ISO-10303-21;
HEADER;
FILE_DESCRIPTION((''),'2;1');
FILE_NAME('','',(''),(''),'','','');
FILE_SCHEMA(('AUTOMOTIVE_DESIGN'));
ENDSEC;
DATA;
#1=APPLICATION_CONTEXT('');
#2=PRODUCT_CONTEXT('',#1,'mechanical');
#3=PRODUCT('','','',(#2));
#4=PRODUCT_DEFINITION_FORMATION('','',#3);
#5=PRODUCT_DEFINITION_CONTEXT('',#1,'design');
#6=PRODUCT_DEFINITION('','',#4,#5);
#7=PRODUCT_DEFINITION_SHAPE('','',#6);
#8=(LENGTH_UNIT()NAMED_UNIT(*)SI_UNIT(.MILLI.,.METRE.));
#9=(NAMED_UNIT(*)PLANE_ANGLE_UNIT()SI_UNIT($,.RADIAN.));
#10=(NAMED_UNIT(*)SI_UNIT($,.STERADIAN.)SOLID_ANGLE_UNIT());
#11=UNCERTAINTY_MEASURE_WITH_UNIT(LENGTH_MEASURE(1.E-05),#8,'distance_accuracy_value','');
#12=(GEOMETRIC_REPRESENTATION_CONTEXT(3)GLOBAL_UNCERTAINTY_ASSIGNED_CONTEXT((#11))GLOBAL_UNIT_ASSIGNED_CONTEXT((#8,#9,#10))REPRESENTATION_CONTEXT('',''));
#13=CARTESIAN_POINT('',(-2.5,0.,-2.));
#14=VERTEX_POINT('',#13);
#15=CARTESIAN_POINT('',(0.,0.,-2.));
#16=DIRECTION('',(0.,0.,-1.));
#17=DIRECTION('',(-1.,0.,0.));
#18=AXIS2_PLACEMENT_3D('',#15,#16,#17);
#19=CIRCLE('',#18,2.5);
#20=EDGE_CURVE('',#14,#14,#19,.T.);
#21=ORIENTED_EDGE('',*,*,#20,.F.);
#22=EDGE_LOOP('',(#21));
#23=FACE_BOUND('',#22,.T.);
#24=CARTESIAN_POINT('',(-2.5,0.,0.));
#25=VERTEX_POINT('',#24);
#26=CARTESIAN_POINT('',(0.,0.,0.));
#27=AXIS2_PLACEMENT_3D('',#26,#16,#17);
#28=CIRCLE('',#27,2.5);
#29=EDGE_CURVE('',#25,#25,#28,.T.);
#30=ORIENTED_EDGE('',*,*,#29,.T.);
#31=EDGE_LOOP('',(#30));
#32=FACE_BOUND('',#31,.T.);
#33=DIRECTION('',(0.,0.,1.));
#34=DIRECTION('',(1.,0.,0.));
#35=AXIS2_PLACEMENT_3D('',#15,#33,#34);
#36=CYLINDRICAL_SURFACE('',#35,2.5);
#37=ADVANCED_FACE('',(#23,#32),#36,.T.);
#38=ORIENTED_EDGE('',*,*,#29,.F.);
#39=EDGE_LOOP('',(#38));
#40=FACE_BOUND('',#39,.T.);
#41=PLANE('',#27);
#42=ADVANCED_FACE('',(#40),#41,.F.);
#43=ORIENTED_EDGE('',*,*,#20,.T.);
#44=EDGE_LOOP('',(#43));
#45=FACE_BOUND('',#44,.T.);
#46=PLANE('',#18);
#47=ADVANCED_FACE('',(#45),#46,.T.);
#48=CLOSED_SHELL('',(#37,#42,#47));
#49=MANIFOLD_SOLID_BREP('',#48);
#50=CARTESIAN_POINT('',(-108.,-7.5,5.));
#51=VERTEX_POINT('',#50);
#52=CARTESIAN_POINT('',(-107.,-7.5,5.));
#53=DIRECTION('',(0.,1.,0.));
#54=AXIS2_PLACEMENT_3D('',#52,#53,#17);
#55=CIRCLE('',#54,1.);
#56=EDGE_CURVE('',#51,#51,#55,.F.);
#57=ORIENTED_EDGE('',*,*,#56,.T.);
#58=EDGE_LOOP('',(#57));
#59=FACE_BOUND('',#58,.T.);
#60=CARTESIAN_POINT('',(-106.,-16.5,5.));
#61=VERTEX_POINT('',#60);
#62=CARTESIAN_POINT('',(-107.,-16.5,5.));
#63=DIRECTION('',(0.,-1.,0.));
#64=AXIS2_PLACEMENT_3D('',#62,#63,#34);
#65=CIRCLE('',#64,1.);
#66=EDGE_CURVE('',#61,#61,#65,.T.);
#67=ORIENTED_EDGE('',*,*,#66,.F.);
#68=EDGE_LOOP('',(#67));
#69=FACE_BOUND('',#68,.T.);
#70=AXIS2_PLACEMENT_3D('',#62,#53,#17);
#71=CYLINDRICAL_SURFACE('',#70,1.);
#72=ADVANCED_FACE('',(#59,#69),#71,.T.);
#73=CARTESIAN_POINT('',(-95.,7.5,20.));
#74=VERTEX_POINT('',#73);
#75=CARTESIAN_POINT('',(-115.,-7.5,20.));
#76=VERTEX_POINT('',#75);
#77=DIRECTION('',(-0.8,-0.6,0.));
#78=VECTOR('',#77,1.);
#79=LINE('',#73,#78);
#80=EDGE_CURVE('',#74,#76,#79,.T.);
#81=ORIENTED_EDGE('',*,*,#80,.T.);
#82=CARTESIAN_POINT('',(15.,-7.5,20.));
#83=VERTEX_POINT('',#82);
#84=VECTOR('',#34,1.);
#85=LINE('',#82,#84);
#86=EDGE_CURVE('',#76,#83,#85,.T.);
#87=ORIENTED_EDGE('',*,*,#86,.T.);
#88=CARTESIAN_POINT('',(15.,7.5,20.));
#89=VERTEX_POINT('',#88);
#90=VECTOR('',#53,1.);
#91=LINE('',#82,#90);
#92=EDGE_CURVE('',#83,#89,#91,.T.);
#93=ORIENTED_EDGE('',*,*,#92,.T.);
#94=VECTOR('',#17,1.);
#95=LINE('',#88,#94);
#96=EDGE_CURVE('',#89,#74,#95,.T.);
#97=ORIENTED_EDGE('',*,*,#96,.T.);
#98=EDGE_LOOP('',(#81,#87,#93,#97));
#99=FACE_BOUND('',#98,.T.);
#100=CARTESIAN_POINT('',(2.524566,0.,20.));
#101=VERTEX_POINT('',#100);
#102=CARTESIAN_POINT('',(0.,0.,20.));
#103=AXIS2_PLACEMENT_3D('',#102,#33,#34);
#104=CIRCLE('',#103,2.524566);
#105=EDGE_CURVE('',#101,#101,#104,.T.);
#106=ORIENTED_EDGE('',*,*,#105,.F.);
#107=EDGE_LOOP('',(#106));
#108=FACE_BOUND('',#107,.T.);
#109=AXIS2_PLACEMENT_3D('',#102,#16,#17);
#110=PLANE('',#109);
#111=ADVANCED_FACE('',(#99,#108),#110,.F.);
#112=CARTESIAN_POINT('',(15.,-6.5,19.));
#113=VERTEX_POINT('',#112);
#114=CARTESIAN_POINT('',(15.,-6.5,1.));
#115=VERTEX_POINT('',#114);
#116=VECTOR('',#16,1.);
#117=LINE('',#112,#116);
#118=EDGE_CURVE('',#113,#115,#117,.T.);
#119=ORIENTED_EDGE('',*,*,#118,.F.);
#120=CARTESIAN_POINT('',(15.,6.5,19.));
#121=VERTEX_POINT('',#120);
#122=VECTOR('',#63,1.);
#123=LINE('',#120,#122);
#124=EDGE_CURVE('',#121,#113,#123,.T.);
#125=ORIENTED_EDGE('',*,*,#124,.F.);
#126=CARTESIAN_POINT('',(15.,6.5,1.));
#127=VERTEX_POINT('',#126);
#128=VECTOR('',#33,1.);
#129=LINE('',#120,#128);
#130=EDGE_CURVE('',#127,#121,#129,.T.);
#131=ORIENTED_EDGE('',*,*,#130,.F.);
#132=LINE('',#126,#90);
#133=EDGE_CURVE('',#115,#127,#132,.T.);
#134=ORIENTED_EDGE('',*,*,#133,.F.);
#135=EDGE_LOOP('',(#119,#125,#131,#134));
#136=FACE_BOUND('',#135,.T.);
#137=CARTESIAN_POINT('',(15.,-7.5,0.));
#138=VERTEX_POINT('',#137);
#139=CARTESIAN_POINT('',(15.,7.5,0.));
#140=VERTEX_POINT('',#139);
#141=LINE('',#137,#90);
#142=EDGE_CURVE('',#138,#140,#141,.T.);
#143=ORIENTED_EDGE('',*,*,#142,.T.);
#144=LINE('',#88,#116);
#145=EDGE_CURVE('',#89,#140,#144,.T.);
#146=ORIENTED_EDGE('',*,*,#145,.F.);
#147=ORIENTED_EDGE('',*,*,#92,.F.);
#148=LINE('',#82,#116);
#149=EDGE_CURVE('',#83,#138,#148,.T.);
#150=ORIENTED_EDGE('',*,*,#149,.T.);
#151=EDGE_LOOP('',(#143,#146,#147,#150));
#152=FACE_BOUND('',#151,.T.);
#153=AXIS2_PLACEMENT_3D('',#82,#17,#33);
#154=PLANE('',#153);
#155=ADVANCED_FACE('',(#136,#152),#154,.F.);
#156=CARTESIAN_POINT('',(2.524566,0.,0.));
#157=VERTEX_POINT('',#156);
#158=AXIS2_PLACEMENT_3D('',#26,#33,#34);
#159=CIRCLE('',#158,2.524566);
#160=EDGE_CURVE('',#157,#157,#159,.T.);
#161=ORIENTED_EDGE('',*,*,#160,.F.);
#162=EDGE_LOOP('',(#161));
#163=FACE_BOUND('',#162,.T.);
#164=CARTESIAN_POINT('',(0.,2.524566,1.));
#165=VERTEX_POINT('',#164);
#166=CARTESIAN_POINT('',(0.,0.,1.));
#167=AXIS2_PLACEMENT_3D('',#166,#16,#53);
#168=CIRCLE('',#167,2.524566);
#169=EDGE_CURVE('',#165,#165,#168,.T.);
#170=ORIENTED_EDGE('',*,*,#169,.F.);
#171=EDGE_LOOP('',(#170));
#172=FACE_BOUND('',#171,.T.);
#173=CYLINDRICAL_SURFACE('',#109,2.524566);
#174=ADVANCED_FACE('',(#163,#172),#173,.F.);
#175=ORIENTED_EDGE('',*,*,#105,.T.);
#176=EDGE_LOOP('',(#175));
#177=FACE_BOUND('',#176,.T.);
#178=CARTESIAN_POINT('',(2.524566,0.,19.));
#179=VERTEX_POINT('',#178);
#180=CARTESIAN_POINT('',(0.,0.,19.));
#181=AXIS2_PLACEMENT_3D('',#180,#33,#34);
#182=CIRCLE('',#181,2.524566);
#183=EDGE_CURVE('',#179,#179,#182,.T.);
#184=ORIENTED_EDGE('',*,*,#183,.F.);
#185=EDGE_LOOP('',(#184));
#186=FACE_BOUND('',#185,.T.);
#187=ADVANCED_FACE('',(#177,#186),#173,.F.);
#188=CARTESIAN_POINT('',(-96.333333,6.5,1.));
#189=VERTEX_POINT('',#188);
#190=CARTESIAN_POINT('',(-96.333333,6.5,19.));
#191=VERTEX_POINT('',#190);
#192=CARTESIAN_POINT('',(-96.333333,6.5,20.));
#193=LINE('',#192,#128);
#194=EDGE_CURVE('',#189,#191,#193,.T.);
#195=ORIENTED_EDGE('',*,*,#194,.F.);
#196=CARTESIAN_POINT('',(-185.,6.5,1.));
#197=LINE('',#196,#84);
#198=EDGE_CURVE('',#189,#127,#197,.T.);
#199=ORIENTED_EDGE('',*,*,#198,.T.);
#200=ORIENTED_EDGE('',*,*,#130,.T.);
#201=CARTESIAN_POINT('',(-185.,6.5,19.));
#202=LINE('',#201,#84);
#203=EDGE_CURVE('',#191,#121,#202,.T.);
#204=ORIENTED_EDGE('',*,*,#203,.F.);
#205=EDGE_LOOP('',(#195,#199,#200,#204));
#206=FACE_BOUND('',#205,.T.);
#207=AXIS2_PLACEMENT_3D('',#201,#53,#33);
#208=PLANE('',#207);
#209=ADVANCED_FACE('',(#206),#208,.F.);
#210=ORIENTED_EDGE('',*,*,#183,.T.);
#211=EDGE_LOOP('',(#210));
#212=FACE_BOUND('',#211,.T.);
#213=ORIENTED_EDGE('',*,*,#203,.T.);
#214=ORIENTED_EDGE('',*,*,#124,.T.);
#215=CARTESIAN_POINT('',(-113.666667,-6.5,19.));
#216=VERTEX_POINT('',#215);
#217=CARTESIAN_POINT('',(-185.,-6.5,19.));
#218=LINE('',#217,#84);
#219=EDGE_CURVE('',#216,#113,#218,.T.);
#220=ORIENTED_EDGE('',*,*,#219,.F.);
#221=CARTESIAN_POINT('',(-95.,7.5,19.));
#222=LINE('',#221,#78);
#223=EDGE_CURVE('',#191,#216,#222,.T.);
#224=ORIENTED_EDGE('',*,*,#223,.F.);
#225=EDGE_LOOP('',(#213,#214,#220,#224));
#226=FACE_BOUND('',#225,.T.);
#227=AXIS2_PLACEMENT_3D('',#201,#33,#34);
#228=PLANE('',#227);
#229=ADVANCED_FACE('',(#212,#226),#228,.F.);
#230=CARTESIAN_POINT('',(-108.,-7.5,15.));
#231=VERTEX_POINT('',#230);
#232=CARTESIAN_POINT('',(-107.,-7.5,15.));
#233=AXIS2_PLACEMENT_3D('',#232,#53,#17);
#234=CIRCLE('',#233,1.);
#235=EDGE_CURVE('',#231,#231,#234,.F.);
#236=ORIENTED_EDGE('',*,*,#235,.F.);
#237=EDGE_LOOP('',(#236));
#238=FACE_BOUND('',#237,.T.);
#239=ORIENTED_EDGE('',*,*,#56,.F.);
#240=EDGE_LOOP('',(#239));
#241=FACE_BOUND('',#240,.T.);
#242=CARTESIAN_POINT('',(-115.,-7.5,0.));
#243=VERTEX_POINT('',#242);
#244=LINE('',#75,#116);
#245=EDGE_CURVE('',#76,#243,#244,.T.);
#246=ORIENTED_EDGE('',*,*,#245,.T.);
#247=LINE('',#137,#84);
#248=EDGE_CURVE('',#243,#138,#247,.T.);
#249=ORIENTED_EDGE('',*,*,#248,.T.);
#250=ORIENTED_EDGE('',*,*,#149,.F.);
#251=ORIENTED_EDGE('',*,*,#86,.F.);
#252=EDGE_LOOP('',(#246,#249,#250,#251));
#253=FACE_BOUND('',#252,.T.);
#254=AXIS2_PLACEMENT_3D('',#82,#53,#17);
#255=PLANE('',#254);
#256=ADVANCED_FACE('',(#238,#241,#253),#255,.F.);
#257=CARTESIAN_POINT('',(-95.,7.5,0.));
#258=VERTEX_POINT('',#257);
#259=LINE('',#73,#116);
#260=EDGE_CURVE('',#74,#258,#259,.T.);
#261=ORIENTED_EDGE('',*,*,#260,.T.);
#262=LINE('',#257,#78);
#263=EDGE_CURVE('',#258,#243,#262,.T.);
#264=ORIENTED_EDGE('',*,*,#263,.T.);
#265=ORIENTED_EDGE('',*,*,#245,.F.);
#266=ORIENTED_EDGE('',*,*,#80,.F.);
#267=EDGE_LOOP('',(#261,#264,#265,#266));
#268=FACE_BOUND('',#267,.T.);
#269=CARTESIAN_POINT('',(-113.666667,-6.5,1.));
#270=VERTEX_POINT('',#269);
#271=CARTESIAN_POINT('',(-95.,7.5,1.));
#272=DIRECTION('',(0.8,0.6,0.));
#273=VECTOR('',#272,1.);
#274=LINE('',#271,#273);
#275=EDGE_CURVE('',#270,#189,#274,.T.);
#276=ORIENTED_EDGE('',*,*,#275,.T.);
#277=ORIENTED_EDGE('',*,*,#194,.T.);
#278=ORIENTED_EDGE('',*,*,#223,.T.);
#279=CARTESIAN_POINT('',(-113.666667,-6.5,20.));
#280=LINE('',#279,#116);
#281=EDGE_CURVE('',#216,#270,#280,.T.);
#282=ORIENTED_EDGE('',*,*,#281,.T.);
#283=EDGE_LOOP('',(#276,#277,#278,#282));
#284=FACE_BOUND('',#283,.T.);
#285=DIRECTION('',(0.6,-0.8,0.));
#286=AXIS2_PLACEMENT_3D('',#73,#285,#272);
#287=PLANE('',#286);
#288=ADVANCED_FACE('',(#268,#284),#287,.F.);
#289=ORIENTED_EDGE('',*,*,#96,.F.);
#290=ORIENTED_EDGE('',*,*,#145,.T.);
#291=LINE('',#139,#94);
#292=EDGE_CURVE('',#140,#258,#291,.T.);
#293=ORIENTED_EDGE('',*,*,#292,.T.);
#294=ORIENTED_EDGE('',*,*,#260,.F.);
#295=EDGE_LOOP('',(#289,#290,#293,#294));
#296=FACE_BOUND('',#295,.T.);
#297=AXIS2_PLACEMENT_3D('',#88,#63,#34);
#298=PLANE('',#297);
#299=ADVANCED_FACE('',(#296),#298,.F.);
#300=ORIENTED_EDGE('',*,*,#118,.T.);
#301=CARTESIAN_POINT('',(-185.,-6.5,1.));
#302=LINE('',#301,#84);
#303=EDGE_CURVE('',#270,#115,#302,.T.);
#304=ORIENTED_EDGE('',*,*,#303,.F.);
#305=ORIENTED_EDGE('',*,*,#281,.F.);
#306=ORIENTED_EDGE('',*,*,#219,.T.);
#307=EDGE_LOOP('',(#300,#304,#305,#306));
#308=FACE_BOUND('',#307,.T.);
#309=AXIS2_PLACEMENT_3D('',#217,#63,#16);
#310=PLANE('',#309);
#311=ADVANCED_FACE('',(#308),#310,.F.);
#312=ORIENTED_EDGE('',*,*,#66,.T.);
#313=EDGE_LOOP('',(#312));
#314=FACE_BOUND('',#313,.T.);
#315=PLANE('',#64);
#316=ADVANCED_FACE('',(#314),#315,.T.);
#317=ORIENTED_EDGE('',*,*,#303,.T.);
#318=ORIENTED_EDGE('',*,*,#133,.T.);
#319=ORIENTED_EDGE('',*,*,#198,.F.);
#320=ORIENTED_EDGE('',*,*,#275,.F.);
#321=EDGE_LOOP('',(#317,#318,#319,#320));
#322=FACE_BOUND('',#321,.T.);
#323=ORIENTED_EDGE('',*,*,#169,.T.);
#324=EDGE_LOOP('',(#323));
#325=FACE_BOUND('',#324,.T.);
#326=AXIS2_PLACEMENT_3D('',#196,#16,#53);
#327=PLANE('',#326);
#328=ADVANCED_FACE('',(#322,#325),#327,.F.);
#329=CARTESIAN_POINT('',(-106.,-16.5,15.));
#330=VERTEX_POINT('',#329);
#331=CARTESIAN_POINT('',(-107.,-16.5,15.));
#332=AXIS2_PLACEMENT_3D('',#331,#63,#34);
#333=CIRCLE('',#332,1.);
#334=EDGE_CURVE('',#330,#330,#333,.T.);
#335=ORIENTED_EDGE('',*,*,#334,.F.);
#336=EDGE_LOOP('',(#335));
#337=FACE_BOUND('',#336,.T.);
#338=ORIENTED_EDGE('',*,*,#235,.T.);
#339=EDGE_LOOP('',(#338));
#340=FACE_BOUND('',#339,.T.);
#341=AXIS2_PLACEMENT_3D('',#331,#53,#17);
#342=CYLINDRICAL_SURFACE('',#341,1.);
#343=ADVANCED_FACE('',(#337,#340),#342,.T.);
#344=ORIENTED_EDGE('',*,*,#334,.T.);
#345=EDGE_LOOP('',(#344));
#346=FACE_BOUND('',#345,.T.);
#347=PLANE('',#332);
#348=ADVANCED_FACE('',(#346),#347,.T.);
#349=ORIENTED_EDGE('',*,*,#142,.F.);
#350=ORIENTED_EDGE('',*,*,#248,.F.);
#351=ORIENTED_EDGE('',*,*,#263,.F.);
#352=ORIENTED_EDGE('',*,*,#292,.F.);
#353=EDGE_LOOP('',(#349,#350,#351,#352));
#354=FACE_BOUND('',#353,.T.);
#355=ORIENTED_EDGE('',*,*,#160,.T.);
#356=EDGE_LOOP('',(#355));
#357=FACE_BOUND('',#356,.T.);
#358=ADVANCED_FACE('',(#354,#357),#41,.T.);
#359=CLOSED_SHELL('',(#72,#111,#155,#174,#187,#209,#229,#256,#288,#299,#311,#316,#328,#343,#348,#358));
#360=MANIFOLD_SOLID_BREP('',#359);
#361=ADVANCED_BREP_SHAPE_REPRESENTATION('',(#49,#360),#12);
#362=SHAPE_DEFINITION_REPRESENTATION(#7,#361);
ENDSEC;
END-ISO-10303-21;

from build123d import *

# Parameters (mm, degrees)
ESQUISSE1_R             = 2.524565825
BOSS_EXTRU_1_DEPTH      = 20
ESQUISSE2_W             = 18
ESQUISSE2_H             = 13
ENL_V_MAT_EXTRU_1_DEPTH = 200
ESQUISSE4_R             = 1
BOSS_EXTRU_2_DEPTH      = 9
ESQUISSE5_R             = 2.5
BOSS_EXTRU_3_DEPTH      = 2


with BuildPart() as part:
    # Esquisse1 → Boss.-Extru.1 (new body)
    with BuildSketch(Plane.XY):
        Polygon((15, -7.5), (-115, -7.5), (-95, 7.5), (15, 7.5), align=None)
        Circle(ESQUISSE1_R, mode=Mode.SUBTRACT)
    extrude(amount=BOSS_EXTRU_1_DEPTH)

    # Esquisse2 → Enlèv. mat.-Extru.1 (cut)
    with BuildSketch(Plane(origin=(15, 0, 0), x_dir=(0, 0, -1), z_dir=(1, 0, 0))):
        with Locations((-10, 0)):
            Rectangle(ESQUISSE2_W, ESQUISSE2_H)
    extrude(amount=-ENL_V_MAT_EXTRU_1_DEPTH, mode=Mode.SUBTRACT)

    # Esquisse4 → Boss.-Extru.2 (add)
    with BuildSketch(Plane.XZ.offset(7.5)):
        with Locations(Location((-107, 15, 0), (0, 0, 180))):
            Circle(ESQUISSE4_R)
        with Locations(Location((-107, 5, 0), (0, 0, 180))):
            Circle(ESQUISSE4_R)
    extrude(amount=BOSS_EXTRU_2_DEPTH)


with BuildPart() as body_2:
    # Esquisse5 → Boss.-Extru.3 (new body)
    with BuildSketch(Plane(origin=(0, 0, 0), x_dir=(-1, 0, 0), z_dir=(0, 0, -1))):
        Circle(ESQUISSE5_R)
    extrude(amount=BOSS_EXTRU_3_DEPTH)


solid = Compound([part.part, body_2.part])
